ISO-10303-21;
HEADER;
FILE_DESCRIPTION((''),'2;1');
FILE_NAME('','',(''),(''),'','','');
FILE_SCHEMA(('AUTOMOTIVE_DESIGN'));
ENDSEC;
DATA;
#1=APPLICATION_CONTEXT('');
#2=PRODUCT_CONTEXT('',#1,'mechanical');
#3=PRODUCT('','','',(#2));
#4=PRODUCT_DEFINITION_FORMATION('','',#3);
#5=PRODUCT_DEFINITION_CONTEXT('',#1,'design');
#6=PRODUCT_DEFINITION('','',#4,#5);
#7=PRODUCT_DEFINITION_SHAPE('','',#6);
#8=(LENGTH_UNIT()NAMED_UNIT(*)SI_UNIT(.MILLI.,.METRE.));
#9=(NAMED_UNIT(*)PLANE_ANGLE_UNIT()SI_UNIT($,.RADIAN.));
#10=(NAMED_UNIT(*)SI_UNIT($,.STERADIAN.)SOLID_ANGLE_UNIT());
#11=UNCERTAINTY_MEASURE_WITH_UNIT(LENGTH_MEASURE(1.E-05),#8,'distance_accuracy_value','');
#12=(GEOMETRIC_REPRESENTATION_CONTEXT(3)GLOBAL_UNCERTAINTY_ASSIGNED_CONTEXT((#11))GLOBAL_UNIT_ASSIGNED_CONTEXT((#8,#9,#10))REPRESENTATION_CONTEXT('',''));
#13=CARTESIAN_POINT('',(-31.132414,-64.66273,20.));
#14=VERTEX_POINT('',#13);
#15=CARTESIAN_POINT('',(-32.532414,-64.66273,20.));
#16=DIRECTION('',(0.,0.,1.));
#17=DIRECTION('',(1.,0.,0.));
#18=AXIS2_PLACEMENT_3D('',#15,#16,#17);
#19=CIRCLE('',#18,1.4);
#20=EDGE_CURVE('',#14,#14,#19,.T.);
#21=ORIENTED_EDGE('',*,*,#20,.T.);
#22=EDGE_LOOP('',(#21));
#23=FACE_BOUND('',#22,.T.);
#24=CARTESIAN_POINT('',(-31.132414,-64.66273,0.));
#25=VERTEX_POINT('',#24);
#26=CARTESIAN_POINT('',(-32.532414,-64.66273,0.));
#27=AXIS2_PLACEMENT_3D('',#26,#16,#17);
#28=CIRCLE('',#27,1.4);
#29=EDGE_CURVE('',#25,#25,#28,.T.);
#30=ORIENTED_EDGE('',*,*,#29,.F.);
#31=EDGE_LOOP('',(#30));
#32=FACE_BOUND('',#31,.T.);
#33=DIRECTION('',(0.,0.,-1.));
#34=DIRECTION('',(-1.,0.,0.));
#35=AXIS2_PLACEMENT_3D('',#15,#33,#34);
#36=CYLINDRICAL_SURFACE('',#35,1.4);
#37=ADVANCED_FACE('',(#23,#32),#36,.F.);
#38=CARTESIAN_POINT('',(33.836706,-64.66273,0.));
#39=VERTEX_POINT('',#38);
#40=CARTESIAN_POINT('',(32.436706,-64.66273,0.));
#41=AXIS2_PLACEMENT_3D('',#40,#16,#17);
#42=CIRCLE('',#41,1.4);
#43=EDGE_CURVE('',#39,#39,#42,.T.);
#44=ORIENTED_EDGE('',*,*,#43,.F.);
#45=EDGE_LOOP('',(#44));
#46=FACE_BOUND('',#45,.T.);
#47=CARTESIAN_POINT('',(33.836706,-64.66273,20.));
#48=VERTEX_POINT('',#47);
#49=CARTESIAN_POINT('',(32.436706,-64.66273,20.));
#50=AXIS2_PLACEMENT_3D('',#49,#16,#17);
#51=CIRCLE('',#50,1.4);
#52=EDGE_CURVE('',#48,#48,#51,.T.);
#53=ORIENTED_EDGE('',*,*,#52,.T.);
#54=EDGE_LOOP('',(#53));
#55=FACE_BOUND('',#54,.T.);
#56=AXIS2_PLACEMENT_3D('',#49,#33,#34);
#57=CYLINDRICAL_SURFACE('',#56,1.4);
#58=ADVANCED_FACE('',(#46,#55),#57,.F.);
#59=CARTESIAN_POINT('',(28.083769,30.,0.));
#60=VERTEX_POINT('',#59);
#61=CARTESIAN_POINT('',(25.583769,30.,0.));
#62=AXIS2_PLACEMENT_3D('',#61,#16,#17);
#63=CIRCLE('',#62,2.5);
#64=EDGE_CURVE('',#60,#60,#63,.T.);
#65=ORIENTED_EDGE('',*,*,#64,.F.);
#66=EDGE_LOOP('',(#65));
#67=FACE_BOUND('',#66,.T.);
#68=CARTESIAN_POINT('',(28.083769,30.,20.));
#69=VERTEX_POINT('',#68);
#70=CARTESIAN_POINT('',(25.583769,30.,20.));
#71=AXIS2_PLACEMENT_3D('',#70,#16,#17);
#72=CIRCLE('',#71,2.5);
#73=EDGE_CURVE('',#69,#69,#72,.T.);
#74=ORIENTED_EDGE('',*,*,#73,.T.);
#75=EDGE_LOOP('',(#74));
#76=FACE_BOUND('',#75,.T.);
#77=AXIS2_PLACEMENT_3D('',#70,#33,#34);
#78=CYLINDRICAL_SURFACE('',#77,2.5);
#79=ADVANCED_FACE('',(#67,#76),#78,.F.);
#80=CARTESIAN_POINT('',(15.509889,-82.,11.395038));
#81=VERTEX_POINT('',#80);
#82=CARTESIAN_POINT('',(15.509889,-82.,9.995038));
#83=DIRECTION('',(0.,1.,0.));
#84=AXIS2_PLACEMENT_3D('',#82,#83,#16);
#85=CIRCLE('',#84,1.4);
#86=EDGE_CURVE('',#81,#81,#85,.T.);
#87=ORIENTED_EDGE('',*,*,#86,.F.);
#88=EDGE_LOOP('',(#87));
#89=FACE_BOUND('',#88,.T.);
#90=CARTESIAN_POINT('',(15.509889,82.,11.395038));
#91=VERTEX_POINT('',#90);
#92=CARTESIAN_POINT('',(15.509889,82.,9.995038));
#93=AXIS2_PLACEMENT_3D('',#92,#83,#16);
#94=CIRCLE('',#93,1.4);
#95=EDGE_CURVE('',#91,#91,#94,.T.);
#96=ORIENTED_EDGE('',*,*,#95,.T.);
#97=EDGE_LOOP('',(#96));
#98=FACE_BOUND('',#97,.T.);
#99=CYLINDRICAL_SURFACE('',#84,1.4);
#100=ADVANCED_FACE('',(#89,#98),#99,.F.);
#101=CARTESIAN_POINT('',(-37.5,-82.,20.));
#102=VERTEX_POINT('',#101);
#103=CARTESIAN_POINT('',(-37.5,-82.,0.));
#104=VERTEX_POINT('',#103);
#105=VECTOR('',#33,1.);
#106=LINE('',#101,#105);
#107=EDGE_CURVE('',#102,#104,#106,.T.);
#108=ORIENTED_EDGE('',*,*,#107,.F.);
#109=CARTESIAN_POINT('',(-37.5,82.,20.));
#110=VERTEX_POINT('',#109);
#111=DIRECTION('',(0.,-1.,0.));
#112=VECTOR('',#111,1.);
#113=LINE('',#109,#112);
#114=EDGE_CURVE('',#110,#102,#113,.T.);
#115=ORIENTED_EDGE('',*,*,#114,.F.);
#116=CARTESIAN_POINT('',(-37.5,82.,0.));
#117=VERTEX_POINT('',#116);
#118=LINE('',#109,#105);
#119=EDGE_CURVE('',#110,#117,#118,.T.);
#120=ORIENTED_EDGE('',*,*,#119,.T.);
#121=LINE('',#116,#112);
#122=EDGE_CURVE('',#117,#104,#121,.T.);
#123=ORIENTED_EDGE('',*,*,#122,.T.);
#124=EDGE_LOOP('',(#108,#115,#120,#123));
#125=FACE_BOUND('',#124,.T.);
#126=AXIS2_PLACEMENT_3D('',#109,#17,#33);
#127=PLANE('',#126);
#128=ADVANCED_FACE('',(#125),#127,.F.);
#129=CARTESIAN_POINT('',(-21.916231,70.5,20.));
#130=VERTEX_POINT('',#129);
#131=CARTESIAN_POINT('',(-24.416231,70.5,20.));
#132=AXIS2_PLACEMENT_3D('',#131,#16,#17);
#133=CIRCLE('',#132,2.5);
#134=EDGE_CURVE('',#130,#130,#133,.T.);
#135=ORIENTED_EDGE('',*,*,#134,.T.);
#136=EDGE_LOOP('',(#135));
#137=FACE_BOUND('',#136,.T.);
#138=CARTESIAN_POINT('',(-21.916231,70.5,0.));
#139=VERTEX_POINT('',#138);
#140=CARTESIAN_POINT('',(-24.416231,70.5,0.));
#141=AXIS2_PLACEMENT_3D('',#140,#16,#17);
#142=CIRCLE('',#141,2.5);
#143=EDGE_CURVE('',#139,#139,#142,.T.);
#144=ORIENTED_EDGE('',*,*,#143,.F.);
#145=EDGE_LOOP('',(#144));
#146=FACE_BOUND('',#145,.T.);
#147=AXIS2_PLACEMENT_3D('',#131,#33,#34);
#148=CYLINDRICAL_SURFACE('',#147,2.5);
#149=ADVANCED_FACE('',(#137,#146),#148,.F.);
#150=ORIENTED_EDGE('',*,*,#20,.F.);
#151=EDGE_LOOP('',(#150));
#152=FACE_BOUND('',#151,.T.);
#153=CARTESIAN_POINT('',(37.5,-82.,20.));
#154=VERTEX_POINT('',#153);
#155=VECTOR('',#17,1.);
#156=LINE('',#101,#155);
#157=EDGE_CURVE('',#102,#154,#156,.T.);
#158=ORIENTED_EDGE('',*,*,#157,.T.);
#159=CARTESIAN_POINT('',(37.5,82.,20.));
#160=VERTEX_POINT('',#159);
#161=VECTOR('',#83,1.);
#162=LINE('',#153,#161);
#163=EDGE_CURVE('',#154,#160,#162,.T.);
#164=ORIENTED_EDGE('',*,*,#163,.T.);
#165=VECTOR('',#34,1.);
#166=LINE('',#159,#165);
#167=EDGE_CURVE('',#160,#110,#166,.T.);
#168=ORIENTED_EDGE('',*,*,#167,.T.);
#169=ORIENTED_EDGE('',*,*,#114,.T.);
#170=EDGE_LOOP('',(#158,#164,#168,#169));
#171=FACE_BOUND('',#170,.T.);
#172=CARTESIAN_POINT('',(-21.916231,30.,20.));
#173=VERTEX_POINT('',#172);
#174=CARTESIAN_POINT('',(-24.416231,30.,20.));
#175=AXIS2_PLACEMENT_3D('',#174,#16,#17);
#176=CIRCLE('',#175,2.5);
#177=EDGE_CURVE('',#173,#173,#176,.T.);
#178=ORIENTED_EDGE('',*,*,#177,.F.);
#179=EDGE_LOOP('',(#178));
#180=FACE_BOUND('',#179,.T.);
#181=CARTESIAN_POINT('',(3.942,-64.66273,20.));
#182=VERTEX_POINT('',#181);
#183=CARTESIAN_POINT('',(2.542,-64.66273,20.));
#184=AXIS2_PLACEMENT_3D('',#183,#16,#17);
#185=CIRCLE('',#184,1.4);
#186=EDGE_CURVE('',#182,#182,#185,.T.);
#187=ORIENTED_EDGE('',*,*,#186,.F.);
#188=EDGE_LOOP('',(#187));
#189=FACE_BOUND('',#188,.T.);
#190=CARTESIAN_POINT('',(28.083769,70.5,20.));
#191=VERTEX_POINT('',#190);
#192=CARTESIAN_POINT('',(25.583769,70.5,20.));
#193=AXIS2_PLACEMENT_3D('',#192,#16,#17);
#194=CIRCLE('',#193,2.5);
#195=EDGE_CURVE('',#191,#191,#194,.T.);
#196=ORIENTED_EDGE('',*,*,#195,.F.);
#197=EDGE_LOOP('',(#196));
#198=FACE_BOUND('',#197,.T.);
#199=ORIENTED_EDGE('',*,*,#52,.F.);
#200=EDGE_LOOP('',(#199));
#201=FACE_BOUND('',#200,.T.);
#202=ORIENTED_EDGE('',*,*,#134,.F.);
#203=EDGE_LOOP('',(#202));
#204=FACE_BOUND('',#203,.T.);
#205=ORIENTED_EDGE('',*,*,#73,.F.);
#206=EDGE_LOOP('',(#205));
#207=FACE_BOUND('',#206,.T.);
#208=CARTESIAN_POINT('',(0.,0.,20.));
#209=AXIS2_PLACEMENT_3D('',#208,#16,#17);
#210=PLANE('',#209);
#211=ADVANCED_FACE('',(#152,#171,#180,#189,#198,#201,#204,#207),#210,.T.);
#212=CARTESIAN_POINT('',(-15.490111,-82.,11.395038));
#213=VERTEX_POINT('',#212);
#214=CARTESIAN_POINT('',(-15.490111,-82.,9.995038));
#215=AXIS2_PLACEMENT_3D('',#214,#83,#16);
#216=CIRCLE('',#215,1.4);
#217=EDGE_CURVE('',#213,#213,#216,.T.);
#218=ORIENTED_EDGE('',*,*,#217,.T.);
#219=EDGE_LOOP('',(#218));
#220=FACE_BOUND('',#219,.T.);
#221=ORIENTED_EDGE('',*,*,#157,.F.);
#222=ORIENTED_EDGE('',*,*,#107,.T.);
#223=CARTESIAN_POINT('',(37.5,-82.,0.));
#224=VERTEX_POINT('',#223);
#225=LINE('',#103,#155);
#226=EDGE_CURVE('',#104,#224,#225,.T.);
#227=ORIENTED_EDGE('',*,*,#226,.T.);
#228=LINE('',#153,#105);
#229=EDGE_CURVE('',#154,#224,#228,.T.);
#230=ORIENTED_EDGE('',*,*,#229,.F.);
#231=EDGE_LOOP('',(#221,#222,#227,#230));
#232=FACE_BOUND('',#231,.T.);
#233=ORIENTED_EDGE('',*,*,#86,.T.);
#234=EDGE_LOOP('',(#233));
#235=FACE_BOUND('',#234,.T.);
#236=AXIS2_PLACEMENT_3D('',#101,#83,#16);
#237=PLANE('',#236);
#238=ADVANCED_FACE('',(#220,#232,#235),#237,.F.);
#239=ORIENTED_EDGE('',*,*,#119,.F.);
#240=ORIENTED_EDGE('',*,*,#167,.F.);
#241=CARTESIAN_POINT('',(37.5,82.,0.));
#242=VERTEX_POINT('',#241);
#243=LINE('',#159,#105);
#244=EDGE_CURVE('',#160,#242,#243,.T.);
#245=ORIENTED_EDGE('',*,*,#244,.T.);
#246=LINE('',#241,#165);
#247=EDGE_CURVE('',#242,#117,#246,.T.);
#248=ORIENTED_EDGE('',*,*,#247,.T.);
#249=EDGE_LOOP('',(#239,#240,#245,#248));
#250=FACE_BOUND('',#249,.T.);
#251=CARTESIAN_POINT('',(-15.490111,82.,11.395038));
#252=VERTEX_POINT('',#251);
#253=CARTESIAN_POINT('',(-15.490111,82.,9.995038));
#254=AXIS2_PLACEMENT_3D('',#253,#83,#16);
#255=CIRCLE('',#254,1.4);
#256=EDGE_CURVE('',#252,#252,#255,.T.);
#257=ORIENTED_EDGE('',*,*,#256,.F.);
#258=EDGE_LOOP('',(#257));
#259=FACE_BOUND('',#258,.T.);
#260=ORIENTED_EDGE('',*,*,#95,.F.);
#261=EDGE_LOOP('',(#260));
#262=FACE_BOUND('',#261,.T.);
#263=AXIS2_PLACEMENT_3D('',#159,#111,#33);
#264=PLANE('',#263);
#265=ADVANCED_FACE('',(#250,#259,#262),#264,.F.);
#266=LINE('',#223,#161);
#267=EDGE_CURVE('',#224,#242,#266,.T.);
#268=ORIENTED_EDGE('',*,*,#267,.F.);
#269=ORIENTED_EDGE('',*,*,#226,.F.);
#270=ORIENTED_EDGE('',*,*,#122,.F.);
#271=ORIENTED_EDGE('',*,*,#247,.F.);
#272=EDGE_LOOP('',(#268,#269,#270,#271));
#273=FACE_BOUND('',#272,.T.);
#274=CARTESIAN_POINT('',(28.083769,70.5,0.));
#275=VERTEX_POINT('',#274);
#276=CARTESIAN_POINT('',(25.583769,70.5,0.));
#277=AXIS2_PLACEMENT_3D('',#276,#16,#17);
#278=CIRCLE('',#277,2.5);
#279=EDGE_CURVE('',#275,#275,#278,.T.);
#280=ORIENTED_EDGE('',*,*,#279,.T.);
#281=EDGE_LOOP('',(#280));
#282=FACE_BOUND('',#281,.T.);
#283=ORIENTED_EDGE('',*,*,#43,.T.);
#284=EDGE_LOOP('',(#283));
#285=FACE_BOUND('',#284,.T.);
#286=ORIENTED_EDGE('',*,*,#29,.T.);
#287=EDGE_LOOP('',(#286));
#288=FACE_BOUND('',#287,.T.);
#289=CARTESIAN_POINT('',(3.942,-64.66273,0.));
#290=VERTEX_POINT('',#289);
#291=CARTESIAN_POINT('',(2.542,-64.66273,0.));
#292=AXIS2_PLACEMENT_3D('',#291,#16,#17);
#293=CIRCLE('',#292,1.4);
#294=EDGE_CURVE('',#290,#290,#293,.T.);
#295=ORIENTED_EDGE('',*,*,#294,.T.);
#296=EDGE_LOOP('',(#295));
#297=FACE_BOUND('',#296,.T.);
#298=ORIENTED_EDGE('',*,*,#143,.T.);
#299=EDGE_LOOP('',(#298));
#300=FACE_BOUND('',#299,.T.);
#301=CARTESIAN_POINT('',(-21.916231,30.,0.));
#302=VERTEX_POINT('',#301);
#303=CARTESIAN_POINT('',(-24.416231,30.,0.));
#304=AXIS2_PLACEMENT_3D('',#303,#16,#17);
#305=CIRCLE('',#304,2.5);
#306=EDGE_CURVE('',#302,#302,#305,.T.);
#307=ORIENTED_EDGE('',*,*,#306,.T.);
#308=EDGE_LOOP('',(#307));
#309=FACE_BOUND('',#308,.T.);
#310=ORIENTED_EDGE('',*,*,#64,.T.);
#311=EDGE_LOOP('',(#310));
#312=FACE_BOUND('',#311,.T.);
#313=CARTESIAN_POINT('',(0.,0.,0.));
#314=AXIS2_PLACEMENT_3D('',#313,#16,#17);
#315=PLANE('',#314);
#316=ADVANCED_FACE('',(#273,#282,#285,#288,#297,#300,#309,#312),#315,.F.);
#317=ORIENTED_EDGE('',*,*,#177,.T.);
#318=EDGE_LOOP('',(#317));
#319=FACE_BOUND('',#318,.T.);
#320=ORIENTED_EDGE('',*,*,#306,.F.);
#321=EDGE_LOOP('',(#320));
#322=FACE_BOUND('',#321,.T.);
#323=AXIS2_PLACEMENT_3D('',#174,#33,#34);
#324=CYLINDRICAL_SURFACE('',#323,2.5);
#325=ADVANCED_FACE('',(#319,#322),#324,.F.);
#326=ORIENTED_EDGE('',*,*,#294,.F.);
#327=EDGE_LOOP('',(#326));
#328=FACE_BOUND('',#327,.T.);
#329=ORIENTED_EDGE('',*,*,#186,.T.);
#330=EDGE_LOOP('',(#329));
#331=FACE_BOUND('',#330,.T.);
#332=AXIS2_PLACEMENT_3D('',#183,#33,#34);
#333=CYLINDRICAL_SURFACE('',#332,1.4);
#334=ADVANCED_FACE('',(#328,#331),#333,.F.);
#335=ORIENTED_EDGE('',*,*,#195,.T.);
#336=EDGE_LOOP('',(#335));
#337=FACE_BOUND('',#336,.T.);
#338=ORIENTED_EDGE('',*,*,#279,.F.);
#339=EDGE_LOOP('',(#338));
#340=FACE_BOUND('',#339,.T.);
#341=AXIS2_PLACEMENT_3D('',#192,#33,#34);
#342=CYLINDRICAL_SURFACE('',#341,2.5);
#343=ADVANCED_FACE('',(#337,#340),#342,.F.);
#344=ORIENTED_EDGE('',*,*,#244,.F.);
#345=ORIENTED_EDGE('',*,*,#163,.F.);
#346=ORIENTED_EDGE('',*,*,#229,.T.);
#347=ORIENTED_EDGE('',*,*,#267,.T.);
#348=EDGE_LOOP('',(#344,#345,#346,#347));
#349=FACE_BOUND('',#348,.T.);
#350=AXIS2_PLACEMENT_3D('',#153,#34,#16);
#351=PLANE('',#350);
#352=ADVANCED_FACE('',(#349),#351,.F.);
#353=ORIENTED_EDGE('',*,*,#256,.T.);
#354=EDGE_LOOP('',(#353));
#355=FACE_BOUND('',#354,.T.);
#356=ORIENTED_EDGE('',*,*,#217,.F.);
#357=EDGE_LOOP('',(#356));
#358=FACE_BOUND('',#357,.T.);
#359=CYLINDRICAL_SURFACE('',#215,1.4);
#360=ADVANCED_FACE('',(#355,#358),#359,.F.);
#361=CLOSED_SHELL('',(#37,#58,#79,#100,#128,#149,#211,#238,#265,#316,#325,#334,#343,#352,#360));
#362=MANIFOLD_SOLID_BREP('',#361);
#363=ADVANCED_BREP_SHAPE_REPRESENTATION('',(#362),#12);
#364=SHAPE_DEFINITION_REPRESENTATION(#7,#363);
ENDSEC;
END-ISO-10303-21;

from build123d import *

# Parameters (mm, degrees)
SKETCH1_W           = 75
SKETCH1_H           = 164
SKETCH1_R           = 1.4
SKETCH1_R_2         = 2.5
BOSS_EXTRUDE1_DEPTH = 20
SKETCH2_R           = 1.4
CUT_EXTRUDE1_DEPTH  = 165


with BuildPart() as part:
    # Sketch1 → Boss-Extrude1 (new body)
    with BuildSketch(Plane.XY):
        Rectangle(SKETCH1_W, SKETCH1_H)
        with Locations((-32.5324139, -64.662730375)):
            Circle(SKETCH1_R, mode=Mode.SUBTRACT)
        with Locations((32.436706201, -64.662730375)):
            Circle(SKETCH1_R, mode=Mode.SUBTRACT)
        with Locations((2.542, -64.662730375)):
            Circle(SKETCH1_R, mode=Mode.SUBTRACT)
        with Locations((25.583768895, 30)):
            Circle(SKETCH1_R_2, mode=Mode.SUBTRACT)
        with Locations((-24.416231105, 70.5)):
            Circle(SKETCH1_R_2, mode=Mode.SUBTRACT)
        with Locations((25.583768895, 70.5)):
            Circle(SKETCH1_R_2, mode=Mode.SUBTRACT)
        with Locations((-24.416231105, 30)):
            Circle(SKETCH1_R_2, mode=Mode.SUBTRACT)
    extrude(amount=BOSS_EXTRUDE1_DEPTH)

    # Sketch2 → Cut-Extrude1 (cut, through all)
    with BuildSketch(Plane(origin=(0, 82, 0), x_dir=(1, 0, 0), z_dir=(0, 1, 0))):
        with Locations((15.509889123, -9.995038215)):
            Circle(SKETCH2_R)
        with Locations((-15.490110877, -9.995038215)):
            Circle(SKETCH2_R)
    extrude(amount=-CUT_EXTRUDE1_DEPTH, mode=Mode.SUBTRACT)


solid = part.part
